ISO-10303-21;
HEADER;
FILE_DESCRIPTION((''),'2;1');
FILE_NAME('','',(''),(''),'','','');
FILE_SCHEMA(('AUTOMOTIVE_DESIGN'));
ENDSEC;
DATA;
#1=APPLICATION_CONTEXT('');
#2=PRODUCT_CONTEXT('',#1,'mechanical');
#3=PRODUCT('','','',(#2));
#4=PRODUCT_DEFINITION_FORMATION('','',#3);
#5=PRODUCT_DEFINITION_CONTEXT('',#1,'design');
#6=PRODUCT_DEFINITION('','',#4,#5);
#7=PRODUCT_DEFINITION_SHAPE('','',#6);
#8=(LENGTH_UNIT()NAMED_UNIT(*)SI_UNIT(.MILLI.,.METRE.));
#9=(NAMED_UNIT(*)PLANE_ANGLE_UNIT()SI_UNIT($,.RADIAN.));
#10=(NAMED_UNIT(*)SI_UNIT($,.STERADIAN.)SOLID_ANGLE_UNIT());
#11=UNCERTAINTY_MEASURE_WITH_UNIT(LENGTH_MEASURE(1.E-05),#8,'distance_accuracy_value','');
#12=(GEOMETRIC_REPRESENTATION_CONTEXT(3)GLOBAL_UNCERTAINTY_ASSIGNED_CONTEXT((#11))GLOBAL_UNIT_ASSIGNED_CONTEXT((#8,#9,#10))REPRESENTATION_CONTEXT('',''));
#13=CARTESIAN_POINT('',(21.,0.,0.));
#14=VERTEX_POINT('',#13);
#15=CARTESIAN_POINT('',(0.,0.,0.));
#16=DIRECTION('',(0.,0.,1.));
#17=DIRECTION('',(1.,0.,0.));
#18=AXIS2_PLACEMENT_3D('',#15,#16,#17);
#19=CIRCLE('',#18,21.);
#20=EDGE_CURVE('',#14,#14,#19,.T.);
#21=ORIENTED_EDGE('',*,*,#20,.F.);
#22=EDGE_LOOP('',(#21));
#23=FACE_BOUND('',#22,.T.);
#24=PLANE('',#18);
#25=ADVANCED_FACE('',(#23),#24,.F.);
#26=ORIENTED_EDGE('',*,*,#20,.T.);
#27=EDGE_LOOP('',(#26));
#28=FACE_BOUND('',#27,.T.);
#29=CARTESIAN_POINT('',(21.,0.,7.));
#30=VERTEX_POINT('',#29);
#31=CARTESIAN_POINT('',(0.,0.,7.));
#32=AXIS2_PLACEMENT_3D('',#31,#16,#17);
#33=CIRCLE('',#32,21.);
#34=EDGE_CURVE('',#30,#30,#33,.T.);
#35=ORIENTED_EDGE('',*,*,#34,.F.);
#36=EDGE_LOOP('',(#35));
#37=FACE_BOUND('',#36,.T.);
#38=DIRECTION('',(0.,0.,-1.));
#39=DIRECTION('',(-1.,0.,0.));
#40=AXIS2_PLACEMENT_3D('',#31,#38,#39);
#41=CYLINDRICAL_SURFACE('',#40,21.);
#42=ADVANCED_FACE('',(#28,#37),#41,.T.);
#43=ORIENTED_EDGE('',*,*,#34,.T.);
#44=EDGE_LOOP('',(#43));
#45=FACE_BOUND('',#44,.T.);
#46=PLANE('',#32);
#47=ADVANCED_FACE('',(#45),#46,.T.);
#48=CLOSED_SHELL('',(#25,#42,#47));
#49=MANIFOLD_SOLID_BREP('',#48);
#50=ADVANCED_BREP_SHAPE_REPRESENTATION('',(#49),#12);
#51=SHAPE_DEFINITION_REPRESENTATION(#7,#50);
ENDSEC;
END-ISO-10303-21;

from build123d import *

# Parameters (mm, degrees)
SKETCH_1_R      = 21
EXTRUDE_1_DEPTH = 7


with BuildPart() as part:
    # 草图1 → 凸台-拉伸1 (new body)
    with BuildSketch(Plane.XY):
        Circle(SKETCH_1_R)
    extrude(amount=EXTRUDE_1_DEPTH)


solid = part.part
